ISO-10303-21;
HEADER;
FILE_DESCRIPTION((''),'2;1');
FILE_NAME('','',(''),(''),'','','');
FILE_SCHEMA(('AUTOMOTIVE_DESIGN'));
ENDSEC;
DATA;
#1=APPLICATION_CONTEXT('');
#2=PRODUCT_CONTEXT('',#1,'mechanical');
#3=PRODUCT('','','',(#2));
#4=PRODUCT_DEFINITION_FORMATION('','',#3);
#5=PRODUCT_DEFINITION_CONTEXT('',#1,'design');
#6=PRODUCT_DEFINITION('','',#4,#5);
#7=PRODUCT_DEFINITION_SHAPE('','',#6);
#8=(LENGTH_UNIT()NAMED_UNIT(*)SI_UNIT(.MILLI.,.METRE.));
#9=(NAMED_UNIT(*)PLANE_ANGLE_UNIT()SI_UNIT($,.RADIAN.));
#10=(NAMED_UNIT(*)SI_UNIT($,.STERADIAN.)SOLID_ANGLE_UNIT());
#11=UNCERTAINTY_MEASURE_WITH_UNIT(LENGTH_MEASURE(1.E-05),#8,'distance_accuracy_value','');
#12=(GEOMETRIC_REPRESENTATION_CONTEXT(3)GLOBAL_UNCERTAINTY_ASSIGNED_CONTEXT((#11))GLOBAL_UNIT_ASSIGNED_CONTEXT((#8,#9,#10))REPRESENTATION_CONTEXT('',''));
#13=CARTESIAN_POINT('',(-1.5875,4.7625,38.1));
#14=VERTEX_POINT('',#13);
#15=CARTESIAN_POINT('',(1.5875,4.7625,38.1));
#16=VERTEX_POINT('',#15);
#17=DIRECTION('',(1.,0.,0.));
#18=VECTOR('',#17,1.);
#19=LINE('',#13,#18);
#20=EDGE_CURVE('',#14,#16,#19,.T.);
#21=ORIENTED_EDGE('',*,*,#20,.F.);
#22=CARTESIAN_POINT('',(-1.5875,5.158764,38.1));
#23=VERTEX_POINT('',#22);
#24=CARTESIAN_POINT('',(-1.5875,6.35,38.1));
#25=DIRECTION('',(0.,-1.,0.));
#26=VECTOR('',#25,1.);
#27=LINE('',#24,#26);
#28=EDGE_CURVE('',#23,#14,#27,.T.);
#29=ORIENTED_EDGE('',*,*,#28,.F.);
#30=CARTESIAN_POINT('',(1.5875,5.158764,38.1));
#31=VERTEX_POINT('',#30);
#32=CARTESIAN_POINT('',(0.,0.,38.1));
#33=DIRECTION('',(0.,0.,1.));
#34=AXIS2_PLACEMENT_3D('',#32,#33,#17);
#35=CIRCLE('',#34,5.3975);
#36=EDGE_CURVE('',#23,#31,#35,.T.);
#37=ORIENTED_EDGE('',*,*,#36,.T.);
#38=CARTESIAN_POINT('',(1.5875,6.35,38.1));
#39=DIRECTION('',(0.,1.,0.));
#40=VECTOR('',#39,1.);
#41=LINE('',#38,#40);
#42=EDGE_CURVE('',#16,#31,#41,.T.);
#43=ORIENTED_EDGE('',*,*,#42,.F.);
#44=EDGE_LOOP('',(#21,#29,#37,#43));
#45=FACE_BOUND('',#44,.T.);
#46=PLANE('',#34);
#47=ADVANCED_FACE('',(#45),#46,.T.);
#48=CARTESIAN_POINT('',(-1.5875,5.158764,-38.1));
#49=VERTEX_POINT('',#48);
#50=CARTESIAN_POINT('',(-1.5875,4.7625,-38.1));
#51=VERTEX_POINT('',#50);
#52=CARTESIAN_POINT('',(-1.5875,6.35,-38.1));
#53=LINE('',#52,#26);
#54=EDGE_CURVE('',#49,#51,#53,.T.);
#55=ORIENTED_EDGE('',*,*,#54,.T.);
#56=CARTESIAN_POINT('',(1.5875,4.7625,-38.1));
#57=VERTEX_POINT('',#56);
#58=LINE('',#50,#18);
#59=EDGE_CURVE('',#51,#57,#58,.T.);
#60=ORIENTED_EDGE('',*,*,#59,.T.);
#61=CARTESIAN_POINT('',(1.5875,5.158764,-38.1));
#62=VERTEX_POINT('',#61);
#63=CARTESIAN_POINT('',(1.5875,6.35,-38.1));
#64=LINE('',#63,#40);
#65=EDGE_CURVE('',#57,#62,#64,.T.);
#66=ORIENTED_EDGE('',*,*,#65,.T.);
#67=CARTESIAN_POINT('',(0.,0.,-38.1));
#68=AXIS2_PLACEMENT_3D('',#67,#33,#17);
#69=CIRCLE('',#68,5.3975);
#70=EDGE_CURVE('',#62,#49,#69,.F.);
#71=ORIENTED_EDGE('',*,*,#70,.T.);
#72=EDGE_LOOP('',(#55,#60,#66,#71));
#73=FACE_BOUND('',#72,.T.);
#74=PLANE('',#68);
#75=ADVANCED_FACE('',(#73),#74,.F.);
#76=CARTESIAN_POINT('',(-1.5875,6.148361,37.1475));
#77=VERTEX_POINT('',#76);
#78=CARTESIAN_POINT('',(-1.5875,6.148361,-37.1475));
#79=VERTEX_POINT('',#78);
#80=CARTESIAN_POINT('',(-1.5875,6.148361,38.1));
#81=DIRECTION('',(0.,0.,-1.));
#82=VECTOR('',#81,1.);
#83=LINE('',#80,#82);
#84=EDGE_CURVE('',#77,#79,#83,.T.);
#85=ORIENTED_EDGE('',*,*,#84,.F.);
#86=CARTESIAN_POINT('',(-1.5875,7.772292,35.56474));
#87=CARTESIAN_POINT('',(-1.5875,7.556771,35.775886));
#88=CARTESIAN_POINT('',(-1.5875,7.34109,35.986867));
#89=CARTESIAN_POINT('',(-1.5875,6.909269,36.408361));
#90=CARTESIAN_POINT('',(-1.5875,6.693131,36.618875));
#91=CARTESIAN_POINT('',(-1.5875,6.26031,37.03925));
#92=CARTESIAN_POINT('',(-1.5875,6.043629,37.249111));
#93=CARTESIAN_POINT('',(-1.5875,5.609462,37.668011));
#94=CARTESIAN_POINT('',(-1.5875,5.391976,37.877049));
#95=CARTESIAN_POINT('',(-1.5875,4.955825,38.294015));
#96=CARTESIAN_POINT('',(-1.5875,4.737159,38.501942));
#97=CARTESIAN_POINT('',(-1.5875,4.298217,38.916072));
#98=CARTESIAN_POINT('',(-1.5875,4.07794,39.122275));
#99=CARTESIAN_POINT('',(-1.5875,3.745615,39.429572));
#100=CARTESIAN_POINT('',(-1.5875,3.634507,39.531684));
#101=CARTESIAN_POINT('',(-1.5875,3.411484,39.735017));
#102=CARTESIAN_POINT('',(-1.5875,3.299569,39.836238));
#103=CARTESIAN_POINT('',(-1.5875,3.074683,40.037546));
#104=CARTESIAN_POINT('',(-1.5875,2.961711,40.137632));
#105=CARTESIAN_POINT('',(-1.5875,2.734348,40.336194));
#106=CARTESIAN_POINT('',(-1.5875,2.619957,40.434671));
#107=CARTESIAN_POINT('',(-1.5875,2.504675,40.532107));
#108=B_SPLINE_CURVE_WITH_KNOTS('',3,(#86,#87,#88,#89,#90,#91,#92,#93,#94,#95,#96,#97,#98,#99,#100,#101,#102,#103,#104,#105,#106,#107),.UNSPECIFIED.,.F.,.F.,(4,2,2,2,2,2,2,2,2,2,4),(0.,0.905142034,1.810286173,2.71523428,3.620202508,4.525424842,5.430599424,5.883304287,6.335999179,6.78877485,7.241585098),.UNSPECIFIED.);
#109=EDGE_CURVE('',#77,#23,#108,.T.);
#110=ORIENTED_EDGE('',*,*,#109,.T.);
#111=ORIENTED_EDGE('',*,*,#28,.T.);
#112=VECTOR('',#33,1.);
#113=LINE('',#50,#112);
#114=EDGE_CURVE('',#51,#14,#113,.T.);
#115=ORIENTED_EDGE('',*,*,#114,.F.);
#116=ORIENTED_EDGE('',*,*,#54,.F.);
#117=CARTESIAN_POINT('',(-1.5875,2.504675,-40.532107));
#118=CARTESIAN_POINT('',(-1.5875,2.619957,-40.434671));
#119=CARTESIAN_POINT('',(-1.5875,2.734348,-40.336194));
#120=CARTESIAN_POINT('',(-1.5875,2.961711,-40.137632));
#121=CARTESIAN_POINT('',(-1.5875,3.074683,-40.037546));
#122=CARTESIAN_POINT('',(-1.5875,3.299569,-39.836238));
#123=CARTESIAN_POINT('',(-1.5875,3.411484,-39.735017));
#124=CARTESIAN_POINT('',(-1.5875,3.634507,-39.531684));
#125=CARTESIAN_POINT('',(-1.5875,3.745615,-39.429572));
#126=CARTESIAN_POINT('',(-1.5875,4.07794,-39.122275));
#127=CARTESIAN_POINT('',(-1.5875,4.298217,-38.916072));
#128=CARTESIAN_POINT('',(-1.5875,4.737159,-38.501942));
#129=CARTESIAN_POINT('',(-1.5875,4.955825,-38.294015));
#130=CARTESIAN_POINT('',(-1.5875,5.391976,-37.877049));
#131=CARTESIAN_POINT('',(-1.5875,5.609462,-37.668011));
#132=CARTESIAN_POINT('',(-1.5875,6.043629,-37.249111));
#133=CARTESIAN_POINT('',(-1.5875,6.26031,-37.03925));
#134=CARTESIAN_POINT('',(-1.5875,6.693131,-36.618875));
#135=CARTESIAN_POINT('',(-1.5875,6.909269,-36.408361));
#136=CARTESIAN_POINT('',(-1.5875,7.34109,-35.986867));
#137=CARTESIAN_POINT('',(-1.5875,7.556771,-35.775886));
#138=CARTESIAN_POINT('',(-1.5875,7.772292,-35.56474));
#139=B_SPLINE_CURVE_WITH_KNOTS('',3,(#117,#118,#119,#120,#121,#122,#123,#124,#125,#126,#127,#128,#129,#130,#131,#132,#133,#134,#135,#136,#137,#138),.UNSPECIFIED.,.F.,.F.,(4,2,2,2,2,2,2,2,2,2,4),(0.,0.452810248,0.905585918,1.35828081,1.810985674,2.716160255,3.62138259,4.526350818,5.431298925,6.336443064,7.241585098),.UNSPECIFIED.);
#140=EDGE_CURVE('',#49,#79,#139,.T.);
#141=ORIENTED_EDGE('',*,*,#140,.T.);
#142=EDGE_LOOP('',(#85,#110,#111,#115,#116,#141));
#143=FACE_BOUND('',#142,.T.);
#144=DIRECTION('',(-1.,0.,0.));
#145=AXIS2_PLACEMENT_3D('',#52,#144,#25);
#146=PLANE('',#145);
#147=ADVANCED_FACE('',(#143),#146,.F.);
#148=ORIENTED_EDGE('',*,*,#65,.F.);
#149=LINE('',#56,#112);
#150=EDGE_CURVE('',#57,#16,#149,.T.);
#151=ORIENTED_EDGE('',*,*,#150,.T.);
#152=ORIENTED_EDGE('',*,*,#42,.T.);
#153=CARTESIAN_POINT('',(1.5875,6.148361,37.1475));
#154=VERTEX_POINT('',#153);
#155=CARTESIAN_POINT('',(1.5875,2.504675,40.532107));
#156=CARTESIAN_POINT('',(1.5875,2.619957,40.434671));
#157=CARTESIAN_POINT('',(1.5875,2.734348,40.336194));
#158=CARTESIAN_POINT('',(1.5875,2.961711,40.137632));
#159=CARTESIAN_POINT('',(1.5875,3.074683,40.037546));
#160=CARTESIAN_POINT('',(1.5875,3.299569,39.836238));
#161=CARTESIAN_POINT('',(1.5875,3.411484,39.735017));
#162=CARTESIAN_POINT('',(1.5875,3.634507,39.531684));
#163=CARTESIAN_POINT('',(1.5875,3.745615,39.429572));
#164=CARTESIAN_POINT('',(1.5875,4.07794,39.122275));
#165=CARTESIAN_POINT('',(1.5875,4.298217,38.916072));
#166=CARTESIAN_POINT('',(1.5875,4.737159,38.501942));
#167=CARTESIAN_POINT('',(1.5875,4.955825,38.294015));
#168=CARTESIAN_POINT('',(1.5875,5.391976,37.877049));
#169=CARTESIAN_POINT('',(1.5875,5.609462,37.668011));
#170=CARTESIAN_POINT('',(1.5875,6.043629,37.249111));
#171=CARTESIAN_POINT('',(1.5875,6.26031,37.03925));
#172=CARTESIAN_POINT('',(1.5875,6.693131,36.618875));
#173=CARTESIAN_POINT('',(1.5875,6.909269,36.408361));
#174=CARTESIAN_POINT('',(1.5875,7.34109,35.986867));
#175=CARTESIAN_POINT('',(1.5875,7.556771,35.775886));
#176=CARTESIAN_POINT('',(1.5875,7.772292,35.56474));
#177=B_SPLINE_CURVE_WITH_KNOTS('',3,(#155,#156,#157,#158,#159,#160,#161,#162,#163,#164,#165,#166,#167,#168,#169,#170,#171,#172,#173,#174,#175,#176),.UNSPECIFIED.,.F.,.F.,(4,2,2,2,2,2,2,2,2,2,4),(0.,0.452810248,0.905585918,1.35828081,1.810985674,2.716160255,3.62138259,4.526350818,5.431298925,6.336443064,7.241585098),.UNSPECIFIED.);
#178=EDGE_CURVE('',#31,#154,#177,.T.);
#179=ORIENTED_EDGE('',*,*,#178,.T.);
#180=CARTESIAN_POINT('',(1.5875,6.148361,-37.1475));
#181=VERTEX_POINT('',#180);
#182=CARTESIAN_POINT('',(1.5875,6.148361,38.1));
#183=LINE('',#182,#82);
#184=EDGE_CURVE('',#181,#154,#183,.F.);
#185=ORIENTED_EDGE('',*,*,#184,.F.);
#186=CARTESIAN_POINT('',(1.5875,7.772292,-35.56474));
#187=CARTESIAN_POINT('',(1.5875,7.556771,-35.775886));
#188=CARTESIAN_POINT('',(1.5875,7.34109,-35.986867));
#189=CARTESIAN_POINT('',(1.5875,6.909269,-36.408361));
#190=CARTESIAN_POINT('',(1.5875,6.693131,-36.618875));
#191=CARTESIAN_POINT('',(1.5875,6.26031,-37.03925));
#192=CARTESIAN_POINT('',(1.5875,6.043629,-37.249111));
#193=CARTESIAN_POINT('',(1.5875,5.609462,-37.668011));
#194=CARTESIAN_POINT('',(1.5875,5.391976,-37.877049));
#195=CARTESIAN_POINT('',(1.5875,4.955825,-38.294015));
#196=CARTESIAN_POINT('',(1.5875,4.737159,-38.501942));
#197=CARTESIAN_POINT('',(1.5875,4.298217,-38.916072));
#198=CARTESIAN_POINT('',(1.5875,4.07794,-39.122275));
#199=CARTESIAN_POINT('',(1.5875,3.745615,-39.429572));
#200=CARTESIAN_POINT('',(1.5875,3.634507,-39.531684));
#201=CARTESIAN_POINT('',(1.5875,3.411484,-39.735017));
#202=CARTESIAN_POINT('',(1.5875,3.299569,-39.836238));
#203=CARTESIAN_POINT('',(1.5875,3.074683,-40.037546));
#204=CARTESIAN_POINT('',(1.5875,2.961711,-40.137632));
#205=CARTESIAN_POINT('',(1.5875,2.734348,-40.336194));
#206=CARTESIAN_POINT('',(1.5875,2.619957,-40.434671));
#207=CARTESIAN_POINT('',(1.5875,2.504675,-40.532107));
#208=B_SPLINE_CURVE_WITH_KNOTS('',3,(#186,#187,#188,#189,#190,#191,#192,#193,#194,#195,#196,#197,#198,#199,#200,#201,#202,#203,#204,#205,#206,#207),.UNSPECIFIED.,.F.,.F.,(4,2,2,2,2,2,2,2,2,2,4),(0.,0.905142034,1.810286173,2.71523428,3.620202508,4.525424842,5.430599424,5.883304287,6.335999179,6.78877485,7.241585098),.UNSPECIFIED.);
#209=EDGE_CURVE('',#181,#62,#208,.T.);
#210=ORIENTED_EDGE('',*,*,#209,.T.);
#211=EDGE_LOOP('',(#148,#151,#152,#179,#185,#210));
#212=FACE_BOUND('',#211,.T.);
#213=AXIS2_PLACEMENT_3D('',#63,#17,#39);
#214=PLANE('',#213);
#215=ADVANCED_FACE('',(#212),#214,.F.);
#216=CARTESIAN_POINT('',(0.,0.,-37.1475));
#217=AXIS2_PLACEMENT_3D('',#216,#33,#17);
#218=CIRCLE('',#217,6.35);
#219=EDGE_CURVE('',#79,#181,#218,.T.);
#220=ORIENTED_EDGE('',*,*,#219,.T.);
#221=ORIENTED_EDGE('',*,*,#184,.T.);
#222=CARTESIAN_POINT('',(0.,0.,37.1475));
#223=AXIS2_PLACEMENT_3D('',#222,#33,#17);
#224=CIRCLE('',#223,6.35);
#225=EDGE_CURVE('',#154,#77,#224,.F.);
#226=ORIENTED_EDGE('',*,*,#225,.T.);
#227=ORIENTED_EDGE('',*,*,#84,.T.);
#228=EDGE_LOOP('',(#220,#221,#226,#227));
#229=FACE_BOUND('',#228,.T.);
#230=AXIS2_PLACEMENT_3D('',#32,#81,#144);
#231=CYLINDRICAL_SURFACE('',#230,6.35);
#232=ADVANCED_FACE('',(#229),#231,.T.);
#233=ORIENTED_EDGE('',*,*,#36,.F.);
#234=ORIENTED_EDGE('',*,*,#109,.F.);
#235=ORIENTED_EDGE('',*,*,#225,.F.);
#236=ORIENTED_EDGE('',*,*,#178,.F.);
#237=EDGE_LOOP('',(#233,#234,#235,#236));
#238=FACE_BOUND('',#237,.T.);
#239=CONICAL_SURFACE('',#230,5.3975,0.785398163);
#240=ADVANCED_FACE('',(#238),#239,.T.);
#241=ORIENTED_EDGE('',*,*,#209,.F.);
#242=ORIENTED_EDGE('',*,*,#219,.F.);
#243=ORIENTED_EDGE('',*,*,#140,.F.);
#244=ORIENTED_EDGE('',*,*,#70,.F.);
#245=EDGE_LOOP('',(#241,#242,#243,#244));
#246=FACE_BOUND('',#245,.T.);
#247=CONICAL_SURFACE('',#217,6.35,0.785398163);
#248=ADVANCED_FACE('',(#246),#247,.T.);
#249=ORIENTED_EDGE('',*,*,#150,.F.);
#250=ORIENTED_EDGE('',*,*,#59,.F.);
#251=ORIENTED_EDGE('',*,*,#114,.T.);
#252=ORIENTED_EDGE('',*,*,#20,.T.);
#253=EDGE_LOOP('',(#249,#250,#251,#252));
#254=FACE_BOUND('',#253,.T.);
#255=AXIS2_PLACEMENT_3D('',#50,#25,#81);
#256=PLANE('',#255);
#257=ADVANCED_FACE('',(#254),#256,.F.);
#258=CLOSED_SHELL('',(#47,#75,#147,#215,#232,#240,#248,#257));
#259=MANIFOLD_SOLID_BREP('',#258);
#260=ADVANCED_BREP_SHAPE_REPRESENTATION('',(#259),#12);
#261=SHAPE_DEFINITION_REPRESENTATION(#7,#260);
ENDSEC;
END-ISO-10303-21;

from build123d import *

# Parameters (mm, degrees)
SKETCH1_R           = 6.35
EXTRUDE1_DEPTH      = 38.1
CHAMFER1_SIZE       = 0.9525
SKETCH3_W           = 3.175
SKETCH3_H           = 1.5875
EXTRUDE2_DEPTH      = 39.1
EXTRUDE2_DEPTH_BACK = 39.1


with BuildPart() as part:
    # Sketch1 → Extrude1 (new body, symmetric)
    with BuildSketch(Plane.XY):
        Circle(SKETCH1_R)
    extrude(amount=EXTRUDE1_DEPTH, both=True)

    # Chamfer1
    chamfer1_edges = [part.edges().sort_by_distance(p)[0] for p in [
        (-6.35, 0, -38.1),
        (-6.35, 0, 38.1),
    ]]
    chamfer(chamfer1_edges, length=CHAMFER1_SIZE)

    # Sketch3 → Extrude2 (cut, two sides)
    with BuildSketch(Plane.XY) as extrude2_sk:
        with Locations((0, 5.55625)):
            Rectangle(SKETCH3_W, SKETCH3_H)
    extrude(amount=EXTRUDE2_DEPTH, mode=Mode.SUBTRACT)
    extrude(extrude2_sk.sketch, amount=-EXTRUDE2_DEPTH_BACK, mode=Mode.SUBTRACT)


solid = part.part
